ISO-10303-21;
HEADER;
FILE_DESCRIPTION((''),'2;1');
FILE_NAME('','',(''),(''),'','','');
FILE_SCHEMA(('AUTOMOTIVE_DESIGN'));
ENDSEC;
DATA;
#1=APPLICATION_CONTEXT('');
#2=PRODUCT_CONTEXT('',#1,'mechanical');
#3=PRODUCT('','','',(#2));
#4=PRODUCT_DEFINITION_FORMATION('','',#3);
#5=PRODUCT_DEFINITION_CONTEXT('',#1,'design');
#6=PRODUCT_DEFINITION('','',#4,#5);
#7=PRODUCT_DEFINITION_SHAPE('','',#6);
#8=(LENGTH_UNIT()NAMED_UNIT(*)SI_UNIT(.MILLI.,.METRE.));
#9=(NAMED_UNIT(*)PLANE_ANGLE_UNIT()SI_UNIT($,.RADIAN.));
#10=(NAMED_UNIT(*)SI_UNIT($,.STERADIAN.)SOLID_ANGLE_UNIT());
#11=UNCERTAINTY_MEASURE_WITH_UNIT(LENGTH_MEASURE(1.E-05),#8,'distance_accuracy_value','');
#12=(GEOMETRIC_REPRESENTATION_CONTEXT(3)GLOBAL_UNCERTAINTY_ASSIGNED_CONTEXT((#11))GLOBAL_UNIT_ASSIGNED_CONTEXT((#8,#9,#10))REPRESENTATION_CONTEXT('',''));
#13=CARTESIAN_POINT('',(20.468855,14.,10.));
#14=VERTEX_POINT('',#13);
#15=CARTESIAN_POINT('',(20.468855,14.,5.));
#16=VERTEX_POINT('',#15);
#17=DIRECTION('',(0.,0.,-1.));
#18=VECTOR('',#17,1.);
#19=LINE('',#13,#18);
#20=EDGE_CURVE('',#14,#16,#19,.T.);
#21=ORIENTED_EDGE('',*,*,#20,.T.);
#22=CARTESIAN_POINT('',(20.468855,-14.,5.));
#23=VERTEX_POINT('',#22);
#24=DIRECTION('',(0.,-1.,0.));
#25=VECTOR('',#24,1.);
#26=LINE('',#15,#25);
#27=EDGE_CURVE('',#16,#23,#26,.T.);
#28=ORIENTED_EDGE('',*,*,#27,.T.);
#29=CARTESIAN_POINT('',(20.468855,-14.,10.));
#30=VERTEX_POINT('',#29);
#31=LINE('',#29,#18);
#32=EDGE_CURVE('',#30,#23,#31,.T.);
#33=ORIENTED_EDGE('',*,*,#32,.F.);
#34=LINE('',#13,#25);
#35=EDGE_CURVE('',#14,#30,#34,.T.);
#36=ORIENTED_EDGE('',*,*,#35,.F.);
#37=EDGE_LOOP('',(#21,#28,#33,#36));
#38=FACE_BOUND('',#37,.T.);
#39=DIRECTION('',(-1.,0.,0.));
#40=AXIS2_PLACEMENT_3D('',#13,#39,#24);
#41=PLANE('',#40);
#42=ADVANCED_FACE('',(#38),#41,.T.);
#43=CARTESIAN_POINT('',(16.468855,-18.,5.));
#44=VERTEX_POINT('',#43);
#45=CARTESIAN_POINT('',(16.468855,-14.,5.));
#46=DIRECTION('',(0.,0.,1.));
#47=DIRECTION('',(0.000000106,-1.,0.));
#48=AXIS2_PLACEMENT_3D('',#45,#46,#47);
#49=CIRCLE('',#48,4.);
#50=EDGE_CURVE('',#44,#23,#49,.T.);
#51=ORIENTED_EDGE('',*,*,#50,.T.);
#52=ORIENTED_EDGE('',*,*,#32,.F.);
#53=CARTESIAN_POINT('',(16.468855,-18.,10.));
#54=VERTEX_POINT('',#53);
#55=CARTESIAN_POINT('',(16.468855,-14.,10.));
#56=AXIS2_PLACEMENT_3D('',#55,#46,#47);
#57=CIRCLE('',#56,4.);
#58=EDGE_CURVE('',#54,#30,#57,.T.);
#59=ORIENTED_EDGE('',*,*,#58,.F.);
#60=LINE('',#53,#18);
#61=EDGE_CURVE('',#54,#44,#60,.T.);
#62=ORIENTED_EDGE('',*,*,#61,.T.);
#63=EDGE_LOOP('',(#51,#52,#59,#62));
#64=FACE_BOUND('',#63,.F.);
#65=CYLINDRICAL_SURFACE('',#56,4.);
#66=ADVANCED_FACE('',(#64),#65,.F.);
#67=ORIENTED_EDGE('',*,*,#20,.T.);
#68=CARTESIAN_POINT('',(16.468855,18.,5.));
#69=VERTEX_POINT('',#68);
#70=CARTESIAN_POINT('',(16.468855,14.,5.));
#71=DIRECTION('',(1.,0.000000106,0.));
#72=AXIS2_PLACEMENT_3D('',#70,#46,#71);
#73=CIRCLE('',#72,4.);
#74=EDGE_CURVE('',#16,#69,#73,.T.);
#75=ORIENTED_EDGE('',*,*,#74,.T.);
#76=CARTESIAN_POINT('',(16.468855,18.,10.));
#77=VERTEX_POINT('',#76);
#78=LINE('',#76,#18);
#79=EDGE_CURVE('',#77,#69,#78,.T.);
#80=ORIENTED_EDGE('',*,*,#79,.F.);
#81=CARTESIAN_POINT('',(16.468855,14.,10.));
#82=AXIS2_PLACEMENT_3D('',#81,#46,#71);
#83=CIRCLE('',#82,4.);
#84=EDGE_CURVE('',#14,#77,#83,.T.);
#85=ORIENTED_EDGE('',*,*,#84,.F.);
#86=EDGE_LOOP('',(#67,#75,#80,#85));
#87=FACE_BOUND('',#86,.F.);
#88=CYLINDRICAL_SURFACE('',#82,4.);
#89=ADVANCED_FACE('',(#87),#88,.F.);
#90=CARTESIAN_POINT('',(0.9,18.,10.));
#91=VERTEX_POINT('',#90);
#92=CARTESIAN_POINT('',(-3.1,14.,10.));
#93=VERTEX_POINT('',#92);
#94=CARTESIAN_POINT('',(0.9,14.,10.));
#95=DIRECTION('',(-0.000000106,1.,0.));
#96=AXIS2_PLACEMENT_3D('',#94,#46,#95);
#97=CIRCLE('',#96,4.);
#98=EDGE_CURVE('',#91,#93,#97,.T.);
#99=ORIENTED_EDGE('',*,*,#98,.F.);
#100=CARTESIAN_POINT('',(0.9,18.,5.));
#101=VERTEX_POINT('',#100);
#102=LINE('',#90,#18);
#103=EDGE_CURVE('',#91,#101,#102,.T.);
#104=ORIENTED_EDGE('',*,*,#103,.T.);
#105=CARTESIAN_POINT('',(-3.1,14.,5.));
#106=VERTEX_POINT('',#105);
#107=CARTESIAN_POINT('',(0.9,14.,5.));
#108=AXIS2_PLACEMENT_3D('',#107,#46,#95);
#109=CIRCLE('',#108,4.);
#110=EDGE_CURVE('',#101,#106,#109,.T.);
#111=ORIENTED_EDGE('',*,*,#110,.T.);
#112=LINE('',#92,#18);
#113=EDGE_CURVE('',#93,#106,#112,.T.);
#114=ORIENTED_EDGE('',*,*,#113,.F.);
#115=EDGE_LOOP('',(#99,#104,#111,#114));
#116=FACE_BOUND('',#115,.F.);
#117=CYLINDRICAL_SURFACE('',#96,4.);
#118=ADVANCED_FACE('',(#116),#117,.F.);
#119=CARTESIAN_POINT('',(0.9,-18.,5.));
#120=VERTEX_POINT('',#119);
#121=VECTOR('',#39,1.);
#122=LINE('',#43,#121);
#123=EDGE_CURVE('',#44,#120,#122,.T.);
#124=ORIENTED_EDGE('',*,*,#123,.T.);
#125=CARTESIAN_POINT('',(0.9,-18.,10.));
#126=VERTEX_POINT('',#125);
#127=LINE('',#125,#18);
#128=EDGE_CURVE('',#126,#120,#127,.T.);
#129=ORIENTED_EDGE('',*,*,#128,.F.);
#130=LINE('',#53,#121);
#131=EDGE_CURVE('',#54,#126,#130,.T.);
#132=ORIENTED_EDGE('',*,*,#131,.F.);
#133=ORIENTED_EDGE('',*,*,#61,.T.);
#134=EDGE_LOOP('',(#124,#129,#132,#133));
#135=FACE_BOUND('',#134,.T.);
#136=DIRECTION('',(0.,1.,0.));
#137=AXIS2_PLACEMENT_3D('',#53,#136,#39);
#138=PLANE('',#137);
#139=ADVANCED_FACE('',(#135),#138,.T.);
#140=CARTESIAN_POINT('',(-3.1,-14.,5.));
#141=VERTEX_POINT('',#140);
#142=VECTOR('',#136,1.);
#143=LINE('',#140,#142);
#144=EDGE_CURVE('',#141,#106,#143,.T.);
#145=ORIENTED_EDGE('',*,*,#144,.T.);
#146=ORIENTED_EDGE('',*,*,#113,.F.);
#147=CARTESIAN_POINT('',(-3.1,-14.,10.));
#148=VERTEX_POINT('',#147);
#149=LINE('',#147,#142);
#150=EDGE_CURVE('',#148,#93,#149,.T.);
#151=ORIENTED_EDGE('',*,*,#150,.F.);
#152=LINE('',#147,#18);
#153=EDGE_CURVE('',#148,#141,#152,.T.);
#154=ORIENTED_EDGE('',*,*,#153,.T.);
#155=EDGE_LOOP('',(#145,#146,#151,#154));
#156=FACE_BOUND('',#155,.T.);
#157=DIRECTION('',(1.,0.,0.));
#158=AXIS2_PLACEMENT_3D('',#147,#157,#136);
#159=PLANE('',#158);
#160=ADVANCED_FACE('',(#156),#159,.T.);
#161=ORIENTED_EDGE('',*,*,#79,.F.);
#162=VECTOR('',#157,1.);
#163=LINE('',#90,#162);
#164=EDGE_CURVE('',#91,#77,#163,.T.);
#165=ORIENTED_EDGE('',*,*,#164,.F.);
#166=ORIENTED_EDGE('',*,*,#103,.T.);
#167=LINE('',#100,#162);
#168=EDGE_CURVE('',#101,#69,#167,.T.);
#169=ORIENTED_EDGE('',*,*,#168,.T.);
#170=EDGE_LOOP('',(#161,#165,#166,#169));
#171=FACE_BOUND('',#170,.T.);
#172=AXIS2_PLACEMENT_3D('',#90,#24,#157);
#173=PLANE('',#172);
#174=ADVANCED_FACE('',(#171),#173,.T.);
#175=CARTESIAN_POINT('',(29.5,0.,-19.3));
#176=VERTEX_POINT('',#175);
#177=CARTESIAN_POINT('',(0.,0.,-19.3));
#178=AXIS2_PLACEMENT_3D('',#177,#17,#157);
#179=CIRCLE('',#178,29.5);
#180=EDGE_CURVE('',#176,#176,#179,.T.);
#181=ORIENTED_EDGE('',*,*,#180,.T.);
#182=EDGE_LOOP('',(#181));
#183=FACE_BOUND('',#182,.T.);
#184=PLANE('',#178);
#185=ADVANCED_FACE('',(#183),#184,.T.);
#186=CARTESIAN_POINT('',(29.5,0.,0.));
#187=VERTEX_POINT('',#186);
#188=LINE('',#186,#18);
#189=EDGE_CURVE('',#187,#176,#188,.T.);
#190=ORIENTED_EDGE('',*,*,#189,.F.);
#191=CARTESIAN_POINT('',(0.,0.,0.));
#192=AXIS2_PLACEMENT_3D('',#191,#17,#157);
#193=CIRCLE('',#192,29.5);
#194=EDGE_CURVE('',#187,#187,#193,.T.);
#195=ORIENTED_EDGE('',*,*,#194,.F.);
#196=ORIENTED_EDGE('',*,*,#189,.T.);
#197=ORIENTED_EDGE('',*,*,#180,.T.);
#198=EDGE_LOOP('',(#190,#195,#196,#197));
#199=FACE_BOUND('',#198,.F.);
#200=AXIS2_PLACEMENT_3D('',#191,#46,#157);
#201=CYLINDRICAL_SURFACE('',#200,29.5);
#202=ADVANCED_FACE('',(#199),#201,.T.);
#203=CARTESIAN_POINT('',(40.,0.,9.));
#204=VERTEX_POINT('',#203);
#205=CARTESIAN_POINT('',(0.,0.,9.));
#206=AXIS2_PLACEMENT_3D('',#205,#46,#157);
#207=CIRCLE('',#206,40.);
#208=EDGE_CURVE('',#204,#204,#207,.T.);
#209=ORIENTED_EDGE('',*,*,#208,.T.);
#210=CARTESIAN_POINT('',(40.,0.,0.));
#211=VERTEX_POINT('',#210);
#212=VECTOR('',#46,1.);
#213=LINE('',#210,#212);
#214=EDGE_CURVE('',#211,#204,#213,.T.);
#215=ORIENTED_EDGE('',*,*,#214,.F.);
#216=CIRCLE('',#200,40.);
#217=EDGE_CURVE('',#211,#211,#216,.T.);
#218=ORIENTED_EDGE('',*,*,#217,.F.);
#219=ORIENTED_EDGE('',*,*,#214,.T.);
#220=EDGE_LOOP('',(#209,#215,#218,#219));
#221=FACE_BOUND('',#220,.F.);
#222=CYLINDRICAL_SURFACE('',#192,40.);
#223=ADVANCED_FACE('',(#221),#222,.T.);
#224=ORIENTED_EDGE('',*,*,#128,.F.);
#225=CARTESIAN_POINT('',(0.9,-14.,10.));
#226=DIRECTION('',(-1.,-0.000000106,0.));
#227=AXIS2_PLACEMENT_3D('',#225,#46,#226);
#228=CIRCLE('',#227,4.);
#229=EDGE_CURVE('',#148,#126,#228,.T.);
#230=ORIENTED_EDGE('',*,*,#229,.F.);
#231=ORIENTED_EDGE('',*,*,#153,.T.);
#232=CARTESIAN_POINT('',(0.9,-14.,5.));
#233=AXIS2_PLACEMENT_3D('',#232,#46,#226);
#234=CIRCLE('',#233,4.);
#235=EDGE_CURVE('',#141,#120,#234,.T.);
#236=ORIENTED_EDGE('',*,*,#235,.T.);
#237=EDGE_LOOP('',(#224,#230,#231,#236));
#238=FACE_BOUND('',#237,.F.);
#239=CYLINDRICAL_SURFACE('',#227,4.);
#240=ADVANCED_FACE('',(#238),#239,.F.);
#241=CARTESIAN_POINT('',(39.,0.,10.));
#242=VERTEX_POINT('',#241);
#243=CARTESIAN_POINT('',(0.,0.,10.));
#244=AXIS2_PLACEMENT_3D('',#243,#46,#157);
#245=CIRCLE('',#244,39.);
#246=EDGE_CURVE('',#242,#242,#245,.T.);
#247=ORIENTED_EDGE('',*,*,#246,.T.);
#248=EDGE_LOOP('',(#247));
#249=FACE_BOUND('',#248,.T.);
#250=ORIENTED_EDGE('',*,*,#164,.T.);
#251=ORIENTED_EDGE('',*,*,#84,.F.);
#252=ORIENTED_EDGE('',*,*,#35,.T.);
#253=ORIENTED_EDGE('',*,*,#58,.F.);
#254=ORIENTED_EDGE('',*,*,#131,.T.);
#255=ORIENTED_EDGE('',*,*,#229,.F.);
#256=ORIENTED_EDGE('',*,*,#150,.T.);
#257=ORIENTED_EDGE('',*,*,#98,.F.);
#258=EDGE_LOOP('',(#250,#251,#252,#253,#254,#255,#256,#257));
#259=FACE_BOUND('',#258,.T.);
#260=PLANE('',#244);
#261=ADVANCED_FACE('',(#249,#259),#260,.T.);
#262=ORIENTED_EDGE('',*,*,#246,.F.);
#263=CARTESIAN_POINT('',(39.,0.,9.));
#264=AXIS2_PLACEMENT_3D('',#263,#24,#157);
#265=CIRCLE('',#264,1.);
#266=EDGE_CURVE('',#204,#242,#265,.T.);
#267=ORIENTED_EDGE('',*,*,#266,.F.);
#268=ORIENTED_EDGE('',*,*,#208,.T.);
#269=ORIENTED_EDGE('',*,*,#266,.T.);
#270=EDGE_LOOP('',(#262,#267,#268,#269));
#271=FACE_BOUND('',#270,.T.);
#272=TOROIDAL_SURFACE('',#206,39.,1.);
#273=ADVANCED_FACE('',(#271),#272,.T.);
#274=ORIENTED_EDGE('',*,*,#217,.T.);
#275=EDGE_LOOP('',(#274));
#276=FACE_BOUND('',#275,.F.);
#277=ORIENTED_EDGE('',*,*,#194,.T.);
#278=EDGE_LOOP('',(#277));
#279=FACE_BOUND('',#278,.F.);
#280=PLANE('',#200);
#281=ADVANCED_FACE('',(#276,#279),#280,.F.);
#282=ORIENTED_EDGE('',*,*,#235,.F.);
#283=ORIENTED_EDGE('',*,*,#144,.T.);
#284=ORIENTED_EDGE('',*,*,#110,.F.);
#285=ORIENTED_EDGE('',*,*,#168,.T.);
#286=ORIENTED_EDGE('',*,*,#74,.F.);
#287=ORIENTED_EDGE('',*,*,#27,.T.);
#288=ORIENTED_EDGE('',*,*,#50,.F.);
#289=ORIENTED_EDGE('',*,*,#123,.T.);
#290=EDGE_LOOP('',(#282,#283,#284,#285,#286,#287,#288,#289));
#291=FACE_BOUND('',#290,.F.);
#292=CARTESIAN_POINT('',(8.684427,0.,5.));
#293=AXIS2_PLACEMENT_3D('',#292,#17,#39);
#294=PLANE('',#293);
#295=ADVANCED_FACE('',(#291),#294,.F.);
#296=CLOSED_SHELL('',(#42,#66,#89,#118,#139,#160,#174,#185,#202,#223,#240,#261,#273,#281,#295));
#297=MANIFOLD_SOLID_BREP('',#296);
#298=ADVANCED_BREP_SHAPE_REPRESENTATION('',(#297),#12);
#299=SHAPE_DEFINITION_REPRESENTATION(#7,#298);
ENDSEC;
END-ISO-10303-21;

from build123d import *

# Parameters (mm, degrees)
SKETCH_R     = 40
PAD_DEPTH    = 10
FILLET_R     = 1
SKETCH001_R  = 29.5
PAD001_DEPTH = 19.3
POCKET_DEPTH = 5


with BuildPart() as part:
    # Sketch → Pad (new body)
    with BuildSketch(Plane.XY):
        Circle(SKETCH_R)
    extrude(amount=PAD_DEPTH)

    # Fillet
    fillet_edges = [part.edges().sort_by_distance(p)[0] for p in [
        (-40, 0, 10),
    ]]
    fillet(fillet_edges, radius=FILLET_R)

    # Sketch001 → Pad001 (new body)
    with BuildSketch(Plane(origin=(0, 0, 0), x_dir=(1, 0, 0), z_dir=(0, 0, -1))):
        Circle(SKETCH001_R)
    extrude(amount=PAD001_DEPTH)

    # Sketch002 → Pocket (cut)
    with BuildSketch(Plane.XY.offset(10)):
        with BuildLine():
            Line((0.9, 18), (16.468855, 18))
            ThreePointArc((20.468855, 14), (19.297282, 16.828427), (16.468855, 18))
            Line((20.468855, 14), (20.468855, -14))
            ThreePointArc((16.468855, -18), (19.297282, -16.828427), (20.468855, -14))
            Line((16.468855, -18), (0.9, -18))
            ThreePointArc((-3.1, -14), (-1.928427, -16.828427), (0.9, -18))
            Line((-3.1, -14), (-3.1, 14))
            ThreePointArc((0.9, 18), (-1.928427, 16.828427), (-3.1, 14))
        make_face()
    extrude(amount=-POCKET_DEPTH, mode=Mode.SUBTRACT)


solid = part.part
